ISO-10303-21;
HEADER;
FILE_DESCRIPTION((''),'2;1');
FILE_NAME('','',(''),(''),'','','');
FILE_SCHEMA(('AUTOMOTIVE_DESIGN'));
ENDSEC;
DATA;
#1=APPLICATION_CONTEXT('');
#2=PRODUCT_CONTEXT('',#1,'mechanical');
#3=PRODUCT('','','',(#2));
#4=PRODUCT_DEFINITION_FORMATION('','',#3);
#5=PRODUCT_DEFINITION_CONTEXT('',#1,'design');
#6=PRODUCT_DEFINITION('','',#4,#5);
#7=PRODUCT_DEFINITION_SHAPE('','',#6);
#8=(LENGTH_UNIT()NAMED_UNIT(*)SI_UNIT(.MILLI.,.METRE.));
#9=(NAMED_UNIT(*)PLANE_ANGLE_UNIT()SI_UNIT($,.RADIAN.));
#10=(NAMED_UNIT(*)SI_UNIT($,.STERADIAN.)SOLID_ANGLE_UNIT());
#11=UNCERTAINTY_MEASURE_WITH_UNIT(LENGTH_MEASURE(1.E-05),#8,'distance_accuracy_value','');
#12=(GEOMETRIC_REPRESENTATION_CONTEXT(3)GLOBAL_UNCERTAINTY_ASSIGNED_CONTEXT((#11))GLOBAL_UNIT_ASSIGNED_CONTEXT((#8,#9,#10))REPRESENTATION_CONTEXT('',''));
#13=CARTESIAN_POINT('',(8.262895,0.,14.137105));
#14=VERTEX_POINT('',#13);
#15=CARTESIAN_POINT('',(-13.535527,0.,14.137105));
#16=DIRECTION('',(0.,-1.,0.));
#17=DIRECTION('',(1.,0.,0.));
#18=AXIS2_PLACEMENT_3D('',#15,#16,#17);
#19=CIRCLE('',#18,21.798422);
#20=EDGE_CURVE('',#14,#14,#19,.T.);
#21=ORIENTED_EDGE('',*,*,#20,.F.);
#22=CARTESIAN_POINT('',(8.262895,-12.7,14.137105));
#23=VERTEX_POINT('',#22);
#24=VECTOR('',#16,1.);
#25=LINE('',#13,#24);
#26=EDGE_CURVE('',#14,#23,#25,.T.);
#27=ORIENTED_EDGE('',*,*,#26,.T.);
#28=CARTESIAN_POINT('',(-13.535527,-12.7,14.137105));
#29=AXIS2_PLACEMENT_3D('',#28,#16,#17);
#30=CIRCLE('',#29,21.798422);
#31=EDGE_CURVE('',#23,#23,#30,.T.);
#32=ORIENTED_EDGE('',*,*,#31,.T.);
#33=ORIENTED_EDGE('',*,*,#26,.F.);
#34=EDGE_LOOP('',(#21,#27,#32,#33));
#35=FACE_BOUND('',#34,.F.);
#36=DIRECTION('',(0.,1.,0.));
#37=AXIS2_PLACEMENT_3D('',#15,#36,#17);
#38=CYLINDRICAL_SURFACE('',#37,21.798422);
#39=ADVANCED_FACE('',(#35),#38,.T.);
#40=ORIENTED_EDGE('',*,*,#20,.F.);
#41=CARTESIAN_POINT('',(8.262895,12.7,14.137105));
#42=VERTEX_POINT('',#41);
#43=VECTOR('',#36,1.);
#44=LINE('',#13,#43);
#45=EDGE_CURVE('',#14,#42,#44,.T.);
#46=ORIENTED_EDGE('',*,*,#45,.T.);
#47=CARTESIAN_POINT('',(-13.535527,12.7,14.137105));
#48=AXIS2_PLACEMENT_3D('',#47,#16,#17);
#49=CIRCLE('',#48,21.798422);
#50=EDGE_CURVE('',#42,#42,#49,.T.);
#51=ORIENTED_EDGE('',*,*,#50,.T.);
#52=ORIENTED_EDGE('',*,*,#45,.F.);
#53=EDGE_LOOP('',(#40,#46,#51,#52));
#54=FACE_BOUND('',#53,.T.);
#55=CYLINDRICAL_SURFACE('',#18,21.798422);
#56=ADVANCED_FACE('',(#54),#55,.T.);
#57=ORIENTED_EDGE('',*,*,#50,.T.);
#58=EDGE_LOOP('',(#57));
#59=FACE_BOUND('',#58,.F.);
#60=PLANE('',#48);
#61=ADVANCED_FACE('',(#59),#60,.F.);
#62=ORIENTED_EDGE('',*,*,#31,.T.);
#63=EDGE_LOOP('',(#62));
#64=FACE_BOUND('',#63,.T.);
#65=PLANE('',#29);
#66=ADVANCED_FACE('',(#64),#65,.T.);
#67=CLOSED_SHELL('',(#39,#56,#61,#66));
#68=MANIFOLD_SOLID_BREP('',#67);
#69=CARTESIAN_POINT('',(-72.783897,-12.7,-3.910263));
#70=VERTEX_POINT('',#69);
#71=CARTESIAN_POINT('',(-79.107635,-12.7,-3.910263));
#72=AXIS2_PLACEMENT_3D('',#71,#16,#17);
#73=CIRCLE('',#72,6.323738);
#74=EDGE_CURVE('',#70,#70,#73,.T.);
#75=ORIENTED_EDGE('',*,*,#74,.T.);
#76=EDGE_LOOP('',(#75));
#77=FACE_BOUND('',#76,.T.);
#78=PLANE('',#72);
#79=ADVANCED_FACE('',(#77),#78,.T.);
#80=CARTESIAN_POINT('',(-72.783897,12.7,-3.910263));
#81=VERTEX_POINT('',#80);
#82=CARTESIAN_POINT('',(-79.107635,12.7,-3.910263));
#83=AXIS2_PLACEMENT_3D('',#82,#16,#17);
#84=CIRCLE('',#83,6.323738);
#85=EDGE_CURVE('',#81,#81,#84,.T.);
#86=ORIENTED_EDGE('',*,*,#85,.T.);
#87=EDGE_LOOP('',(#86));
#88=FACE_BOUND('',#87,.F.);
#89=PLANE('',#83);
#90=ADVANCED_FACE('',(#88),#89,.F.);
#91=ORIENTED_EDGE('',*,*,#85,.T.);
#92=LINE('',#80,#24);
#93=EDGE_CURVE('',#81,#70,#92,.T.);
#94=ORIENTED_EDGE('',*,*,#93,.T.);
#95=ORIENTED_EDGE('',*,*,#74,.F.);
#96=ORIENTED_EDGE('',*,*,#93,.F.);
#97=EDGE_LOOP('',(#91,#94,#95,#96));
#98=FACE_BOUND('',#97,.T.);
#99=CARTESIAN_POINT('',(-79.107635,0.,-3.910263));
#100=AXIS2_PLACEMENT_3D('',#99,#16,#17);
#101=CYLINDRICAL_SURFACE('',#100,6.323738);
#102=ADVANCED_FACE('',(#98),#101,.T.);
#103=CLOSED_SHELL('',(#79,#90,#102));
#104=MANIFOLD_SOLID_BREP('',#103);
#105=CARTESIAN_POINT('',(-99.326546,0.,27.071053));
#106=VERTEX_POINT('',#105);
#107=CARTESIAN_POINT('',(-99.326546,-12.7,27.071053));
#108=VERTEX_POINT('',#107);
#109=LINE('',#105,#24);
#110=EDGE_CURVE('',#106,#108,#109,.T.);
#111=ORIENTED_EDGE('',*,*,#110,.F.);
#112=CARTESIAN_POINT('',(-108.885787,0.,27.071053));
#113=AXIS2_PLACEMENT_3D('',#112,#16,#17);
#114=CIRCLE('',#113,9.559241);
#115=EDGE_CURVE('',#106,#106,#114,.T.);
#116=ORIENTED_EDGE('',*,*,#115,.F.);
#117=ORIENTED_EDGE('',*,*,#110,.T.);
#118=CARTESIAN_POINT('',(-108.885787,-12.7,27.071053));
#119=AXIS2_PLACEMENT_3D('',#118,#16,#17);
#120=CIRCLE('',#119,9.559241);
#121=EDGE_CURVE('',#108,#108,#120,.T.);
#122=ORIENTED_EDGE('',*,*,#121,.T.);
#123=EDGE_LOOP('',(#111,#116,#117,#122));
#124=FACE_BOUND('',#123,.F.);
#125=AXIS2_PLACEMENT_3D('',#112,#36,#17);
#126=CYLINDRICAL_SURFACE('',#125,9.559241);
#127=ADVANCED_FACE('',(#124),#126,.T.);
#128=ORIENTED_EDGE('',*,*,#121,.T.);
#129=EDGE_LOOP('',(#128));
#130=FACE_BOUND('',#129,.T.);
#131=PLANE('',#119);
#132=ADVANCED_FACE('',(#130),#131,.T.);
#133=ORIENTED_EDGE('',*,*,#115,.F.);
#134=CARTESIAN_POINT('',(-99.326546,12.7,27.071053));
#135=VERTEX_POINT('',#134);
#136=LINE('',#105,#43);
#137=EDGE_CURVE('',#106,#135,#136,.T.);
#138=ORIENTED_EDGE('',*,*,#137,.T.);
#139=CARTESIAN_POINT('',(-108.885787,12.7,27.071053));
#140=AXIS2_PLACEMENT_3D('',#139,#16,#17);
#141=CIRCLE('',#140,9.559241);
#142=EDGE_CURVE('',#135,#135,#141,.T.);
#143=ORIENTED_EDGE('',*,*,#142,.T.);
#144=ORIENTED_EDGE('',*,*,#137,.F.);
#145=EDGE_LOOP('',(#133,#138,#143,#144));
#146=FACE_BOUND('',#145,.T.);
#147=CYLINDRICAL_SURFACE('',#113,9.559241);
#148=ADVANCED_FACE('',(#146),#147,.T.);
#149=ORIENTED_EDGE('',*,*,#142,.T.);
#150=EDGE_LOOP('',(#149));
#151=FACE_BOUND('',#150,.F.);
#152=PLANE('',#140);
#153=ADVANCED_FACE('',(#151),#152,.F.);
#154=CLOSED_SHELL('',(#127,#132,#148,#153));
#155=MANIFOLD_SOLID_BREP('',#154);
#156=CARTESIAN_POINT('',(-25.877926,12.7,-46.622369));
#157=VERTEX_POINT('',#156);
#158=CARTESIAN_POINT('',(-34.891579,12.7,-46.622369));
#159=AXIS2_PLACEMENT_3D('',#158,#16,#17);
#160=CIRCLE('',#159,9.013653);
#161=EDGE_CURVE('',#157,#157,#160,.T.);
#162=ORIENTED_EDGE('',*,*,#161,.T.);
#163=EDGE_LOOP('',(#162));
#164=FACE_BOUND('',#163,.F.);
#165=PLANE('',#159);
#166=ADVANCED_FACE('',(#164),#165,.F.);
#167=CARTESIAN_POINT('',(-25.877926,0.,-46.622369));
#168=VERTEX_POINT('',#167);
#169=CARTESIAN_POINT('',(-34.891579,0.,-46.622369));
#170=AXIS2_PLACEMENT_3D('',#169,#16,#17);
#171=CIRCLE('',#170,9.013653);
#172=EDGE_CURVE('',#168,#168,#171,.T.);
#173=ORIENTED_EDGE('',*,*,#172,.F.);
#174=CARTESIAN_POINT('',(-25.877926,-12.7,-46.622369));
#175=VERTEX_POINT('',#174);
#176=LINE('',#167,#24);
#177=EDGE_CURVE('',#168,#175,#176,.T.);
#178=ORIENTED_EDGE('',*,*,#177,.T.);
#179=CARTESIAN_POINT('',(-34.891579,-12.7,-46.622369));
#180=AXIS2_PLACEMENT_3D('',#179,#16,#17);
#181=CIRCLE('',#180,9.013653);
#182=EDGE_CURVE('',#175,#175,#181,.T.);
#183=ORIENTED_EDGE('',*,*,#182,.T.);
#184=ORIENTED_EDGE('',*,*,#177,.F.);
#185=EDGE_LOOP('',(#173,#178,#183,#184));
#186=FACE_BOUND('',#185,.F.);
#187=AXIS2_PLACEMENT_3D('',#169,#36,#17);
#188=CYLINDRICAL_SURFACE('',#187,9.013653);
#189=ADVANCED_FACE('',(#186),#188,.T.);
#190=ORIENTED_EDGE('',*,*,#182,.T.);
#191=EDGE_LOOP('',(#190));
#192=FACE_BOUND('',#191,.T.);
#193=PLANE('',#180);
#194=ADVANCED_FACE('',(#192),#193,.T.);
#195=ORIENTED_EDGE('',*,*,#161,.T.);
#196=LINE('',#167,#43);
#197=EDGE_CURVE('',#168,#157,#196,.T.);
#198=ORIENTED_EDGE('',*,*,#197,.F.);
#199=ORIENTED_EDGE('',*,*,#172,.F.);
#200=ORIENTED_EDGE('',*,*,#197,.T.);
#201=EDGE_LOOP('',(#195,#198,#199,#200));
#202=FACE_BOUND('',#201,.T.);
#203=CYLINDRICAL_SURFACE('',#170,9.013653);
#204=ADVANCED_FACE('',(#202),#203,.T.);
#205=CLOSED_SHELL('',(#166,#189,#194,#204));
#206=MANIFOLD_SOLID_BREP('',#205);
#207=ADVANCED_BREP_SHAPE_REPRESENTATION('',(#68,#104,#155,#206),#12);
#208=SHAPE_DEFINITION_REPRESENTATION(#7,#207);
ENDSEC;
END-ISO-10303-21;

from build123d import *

# Parameters (mm, degrees)
F0_R     = 9.559241
F0_R_2   = 21.798422
F0_R_3   = 9.013653
F0_R_4   = 6.323738
F1_DEPTH = 12.7


with BuildPart() as f1:
    # F0 (on Front) → F1 (new body, symmetric)
    with BuildSketch(Plane.XZ):
        with Locations((-108.885787, 27.071053)):
            Circle(F0_R)
        with Locations((-13.535527, 14.137105)):
            Circle(F0_R_2)
        with Locations((-34.891579, -46.622369)):
            Circle(F0_R_3)
        with Locations((-79.107635, -3.910263)):
            Circle(F0_R_4)
    extrude(amount=F1_DEPTH, both=True)


solid = f1.part
